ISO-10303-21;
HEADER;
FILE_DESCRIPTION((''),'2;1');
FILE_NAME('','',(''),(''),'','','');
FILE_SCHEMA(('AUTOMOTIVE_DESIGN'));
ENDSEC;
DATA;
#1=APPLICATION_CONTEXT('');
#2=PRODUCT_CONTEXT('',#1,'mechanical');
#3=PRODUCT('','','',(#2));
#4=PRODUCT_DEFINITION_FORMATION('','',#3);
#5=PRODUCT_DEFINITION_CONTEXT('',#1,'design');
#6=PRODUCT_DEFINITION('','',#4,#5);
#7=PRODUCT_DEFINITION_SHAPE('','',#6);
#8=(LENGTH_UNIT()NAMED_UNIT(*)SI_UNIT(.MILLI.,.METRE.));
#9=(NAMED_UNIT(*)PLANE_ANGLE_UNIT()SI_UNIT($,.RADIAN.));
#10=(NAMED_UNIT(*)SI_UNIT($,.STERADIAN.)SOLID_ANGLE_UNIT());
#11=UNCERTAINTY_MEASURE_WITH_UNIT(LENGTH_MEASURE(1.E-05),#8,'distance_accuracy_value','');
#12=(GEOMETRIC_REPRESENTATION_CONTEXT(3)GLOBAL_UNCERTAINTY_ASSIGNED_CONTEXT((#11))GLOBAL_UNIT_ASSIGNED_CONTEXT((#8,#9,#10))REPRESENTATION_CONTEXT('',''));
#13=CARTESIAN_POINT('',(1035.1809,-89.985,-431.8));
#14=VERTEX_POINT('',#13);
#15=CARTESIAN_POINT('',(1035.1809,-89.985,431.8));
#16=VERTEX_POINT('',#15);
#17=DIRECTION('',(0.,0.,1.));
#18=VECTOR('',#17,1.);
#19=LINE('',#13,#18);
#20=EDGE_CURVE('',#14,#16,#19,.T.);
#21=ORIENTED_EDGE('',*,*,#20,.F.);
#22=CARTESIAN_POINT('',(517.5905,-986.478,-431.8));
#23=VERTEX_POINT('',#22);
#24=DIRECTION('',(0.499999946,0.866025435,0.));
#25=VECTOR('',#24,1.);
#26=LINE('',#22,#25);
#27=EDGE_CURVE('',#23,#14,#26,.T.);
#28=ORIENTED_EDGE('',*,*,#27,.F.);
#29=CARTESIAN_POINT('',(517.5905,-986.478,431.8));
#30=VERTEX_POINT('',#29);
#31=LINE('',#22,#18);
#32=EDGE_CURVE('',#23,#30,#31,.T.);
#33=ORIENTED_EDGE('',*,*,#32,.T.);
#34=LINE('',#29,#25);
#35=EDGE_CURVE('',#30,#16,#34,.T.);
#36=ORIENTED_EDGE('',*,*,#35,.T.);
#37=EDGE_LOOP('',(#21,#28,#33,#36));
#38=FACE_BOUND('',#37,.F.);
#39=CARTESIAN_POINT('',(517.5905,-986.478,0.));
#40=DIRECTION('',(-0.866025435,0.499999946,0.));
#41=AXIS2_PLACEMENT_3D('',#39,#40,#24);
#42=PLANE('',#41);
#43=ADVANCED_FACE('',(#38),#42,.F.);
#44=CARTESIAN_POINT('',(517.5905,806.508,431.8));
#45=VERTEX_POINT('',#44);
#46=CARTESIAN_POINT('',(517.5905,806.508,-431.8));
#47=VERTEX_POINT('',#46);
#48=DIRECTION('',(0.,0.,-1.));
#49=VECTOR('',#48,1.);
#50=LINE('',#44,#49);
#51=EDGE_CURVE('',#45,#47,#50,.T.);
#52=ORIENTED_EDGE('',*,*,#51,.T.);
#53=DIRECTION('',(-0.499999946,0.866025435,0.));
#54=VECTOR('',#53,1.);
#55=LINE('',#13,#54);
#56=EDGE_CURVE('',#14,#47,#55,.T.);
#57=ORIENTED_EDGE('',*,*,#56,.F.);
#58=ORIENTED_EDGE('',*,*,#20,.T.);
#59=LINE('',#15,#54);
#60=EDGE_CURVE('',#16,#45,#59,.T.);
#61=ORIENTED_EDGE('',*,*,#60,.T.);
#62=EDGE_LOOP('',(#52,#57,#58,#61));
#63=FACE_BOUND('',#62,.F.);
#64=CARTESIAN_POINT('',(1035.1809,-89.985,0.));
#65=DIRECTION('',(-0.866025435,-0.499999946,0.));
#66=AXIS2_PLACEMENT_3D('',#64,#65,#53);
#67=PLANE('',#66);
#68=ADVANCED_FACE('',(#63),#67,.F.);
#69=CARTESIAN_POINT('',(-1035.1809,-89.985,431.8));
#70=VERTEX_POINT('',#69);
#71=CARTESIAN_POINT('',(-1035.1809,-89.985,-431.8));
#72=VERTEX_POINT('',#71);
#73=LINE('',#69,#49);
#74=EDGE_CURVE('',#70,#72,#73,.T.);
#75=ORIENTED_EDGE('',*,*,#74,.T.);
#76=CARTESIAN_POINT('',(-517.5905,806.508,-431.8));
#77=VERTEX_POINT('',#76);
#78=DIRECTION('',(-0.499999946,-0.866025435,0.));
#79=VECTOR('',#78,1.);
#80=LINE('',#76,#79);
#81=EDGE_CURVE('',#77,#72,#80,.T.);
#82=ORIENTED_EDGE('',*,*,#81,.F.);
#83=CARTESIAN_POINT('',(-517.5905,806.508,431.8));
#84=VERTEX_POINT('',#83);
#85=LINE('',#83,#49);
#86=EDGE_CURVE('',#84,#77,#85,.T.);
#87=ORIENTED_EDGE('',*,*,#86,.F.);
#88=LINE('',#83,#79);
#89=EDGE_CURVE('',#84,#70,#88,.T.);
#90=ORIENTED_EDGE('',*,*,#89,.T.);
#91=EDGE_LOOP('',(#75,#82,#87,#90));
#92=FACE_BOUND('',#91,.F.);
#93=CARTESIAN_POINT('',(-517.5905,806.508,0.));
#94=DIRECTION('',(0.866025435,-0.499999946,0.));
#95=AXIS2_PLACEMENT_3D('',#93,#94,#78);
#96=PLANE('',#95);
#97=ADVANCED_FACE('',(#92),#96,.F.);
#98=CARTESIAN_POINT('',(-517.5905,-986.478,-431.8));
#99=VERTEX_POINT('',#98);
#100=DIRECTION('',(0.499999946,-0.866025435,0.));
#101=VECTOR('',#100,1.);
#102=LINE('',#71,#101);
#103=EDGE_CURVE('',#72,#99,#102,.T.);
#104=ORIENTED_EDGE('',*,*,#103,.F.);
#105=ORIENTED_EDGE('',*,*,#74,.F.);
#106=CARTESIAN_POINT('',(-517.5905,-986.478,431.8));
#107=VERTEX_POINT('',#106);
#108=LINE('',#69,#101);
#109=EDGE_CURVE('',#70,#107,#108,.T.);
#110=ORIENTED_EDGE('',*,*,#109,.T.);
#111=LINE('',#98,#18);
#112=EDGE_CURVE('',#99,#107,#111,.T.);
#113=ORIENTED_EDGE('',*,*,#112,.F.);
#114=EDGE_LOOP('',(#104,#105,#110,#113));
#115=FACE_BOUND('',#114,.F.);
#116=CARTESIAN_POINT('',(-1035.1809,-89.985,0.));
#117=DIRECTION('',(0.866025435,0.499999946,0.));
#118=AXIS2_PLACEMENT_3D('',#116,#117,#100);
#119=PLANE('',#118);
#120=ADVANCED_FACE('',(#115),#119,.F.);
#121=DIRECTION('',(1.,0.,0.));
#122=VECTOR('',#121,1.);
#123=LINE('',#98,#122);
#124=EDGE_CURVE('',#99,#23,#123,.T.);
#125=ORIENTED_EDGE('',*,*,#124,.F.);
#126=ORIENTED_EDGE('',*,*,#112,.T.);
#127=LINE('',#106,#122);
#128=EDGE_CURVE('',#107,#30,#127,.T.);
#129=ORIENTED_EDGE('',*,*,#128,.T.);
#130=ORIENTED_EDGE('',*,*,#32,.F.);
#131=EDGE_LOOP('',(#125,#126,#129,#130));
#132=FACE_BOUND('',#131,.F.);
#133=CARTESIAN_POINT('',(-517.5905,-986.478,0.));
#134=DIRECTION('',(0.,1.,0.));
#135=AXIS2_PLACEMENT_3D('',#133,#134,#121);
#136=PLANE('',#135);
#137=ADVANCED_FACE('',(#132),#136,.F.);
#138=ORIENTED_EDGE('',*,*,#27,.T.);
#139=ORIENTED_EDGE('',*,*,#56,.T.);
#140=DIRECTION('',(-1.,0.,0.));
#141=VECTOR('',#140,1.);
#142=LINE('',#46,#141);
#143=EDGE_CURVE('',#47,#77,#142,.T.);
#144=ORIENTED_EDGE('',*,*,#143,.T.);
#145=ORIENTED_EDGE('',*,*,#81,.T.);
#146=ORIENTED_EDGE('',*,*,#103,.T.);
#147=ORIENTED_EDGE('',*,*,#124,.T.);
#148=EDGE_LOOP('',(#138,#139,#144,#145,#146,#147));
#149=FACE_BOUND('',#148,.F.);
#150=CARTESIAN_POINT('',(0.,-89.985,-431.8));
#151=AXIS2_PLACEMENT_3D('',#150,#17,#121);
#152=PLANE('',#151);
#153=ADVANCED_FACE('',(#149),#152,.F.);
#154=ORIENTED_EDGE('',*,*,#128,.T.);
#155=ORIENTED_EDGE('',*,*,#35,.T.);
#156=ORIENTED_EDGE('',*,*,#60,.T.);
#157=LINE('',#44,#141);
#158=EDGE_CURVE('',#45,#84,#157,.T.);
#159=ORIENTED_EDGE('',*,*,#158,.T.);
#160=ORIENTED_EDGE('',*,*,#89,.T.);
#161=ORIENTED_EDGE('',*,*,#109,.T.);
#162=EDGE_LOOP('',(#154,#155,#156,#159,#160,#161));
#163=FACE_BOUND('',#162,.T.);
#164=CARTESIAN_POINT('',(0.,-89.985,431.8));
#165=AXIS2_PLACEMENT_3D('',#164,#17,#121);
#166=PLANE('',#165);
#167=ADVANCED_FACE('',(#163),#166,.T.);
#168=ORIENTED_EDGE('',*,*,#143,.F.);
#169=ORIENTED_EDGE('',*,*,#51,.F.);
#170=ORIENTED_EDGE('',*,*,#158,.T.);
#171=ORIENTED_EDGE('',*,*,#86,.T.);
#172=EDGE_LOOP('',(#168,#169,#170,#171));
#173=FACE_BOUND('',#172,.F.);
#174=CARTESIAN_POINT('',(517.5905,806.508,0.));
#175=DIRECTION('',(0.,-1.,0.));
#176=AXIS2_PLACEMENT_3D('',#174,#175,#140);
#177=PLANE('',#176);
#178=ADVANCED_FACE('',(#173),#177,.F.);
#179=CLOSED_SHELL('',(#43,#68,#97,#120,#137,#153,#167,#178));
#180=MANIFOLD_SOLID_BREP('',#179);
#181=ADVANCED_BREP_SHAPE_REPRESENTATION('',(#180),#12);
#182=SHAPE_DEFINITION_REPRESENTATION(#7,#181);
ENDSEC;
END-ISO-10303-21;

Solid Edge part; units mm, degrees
sketch "Sketch1" plane through (0, 0, 0) normal (0, 0, 1) x (1, 0, 0)
  line L0 (-1035.1809, -89.985) -> (-517.5905, -986.478)
  line L1 (-517.5905, -986.478) -> (517.5905, -986.478)
  line L2 (517.5905, -986.478) -> (1035.1809, -89.985)
  line L3 (1035.1809, -89.985) -> (517.5905, 806.508)
  line L4 (517.5905, 806.508) -> (-517.5905, 806.508)
  line L5 (-517.5905, 806.508) -> (-1035.1809, -89.985)
  dimension "D1" = 1792.986
extrude "Protrusion1" add sketch "Sketch1" along normal mid plane 863.6
